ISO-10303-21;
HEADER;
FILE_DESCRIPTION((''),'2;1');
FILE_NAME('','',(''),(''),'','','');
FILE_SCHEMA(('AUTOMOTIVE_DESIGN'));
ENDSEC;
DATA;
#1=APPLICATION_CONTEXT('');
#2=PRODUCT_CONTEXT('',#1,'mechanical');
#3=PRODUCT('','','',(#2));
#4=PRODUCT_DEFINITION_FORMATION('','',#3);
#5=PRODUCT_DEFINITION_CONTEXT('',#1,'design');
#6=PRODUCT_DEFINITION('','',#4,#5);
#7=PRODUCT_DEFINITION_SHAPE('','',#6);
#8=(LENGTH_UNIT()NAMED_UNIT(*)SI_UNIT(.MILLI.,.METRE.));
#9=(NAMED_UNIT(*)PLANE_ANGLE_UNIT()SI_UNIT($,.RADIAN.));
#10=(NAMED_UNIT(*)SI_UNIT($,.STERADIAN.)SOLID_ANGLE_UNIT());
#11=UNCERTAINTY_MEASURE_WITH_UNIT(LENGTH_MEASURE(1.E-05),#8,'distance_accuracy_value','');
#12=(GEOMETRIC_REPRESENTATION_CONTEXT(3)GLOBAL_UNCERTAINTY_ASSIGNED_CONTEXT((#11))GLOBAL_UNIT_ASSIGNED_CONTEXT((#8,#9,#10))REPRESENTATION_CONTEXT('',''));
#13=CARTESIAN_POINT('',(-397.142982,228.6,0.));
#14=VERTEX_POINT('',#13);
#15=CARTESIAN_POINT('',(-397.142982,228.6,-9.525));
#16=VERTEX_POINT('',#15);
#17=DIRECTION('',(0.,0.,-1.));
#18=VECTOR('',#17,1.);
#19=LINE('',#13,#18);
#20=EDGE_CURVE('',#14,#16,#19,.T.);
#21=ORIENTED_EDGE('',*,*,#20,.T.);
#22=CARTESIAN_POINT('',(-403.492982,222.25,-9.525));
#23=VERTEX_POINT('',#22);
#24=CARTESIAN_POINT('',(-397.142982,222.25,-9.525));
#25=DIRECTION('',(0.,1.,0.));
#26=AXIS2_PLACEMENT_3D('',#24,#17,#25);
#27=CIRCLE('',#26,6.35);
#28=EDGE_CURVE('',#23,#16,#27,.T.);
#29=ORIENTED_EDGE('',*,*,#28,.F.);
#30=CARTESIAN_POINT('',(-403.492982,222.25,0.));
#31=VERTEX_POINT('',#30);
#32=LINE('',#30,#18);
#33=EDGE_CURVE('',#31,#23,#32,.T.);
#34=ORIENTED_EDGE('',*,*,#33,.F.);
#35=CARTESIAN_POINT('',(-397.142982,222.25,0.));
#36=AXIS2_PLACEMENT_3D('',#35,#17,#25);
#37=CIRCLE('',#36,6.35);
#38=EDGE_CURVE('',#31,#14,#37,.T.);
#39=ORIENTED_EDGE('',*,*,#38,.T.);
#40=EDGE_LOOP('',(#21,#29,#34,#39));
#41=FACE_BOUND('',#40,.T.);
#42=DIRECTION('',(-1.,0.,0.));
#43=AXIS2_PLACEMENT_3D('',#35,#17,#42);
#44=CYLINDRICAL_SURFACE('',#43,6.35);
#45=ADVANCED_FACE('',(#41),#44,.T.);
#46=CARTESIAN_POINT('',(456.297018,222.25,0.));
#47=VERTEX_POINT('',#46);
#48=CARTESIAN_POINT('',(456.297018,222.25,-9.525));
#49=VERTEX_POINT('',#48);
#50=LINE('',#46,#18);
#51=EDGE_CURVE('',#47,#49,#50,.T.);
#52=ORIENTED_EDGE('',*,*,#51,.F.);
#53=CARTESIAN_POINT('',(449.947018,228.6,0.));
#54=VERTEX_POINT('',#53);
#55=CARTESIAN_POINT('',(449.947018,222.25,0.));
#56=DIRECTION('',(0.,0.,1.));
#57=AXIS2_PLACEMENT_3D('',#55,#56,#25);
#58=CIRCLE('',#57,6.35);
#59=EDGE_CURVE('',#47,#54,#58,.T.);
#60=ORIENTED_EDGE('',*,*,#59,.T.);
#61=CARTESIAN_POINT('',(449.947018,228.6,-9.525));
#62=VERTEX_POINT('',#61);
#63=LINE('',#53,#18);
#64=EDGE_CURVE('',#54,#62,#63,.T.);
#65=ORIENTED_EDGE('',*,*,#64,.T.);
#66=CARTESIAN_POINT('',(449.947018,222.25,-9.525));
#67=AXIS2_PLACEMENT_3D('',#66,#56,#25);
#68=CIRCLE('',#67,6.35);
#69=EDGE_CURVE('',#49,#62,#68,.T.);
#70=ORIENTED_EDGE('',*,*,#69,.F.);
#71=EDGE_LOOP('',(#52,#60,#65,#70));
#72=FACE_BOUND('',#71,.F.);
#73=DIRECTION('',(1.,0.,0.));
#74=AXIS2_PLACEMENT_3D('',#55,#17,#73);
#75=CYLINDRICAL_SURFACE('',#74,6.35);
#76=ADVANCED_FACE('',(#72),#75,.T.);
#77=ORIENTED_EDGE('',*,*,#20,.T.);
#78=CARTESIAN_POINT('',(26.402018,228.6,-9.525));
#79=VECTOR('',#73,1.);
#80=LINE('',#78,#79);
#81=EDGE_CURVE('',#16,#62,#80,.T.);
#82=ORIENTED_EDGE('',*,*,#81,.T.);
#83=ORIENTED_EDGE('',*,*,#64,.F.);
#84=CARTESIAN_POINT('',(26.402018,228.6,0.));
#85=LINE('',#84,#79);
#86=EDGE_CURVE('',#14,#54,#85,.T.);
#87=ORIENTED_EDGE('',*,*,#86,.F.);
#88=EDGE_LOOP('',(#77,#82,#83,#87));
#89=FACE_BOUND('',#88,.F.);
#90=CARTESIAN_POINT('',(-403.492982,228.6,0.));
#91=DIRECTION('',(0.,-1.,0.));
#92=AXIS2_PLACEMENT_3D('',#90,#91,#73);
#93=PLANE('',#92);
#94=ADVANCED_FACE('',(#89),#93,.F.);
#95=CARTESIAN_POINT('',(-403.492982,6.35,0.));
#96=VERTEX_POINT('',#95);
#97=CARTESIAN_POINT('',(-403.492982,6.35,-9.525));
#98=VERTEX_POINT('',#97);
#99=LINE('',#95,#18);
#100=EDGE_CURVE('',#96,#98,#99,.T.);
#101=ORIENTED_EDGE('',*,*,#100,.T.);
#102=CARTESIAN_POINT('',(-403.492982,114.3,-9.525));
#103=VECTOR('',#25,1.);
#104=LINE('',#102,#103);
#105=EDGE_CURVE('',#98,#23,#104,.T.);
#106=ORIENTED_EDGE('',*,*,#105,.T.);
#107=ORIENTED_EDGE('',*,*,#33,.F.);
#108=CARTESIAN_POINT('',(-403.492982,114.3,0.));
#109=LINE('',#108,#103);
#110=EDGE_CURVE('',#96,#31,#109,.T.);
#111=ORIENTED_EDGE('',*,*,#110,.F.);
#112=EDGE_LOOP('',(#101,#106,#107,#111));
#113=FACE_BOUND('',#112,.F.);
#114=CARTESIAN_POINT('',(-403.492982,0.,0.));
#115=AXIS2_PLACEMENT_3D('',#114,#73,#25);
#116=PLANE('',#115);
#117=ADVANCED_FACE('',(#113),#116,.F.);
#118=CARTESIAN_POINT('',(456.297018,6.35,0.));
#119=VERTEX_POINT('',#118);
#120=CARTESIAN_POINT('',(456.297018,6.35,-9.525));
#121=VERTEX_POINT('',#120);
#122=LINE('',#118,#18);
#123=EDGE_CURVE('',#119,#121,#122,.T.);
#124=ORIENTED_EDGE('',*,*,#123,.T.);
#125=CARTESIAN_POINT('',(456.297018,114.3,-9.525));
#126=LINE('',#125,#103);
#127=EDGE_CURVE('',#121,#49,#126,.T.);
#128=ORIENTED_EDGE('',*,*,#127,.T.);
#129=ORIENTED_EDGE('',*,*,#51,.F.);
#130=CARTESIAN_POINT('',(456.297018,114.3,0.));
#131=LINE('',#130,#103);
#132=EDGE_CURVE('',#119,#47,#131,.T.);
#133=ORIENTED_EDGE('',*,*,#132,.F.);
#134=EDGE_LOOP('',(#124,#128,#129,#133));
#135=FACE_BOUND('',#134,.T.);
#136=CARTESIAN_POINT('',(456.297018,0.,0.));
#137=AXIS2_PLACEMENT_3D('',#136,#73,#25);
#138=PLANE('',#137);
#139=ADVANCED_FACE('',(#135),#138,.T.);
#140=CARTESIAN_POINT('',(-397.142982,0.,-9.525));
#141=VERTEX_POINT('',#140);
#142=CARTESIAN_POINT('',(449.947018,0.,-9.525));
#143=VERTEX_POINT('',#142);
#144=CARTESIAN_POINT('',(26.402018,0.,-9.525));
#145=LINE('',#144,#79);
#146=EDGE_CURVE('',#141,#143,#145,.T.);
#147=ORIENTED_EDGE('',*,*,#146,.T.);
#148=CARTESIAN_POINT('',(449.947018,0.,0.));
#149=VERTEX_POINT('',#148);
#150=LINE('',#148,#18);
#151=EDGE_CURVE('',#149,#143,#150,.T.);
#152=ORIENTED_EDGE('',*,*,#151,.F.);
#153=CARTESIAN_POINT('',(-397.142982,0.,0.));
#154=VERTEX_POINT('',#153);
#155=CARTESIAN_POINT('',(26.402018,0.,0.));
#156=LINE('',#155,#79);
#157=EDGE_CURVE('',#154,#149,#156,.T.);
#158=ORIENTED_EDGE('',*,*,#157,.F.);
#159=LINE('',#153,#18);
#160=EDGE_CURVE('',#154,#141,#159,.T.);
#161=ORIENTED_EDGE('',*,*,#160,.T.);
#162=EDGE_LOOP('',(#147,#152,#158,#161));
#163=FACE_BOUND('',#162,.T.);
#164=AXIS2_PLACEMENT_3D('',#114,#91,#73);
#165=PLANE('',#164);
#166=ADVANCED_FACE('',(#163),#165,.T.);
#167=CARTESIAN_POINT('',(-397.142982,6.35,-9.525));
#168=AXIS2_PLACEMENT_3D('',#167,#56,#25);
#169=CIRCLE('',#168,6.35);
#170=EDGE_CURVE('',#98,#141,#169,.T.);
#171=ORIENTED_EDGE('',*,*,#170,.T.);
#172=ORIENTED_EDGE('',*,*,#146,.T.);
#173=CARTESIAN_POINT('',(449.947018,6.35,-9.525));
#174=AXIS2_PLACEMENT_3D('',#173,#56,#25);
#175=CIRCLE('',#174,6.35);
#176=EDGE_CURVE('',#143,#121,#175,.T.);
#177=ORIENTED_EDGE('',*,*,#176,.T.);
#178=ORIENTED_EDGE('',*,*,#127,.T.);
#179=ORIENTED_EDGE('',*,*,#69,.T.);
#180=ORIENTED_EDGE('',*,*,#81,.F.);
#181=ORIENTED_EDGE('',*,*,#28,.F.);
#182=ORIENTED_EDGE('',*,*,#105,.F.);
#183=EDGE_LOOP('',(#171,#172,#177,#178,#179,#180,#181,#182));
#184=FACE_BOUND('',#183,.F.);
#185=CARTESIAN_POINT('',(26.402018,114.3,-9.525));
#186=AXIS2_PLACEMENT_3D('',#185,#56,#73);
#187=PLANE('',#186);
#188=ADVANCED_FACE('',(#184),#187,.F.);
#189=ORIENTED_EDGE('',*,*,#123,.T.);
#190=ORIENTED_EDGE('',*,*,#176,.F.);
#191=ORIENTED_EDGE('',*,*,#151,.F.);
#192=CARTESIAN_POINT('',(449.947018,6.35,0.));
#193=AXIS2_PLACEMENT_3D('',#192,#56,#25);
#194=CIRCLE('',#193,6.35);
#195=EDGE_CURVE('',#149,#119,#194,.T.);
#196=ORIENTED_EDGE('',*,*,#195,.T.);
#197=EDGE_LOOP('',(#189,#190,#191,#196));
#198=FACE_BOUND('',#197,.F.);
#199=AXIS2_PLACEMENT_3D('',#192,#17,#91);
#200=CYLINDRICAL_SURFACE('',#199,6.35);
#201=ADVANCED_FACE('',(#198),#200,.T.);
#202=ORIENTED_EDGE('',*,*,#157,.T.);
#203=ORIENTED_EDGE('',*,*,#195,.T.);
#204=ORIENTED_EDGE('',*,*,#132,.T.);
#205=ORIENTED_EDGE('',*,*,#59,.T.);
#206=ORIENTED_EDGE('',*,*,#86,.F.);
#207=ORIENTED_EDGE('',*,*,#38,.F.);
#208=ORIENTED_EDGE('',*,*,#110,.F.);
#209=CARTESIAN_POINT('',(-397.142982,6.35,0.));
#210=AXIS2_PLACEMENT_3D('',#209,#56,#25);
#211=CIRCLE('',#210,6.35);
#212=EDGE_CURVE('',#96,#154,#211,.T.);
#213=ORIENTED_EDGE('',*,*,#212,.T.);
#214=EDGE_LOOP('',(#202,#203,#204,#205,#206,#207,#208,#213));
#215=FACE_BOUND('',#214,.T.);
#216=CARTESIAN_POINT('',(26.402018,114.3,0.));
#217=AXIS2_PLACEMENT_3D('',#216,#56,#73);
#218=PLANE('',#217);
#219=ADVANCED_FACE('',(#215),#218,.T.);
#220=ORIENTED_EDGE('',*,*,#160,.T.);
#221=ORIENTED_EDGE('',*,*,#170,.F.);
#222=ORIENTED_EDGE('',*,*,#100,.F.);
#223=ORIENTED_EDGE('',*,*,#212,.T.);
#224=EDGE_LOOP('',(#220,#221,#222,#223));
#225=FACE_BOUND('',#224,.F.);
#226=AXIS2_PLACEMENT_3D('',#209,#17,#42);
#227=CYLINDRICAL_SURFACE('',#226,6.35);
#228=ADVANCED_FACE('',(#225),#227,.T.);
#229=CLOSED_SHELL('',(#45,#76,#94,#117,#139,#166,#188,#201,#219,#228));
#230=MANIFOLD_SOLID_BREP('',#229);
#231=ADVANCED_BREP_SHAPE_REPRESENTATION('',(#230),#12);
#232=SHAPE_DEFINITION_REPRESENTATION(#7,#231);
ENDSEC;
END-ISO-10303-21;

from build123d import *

# Parameters (mm, degrees)
F0_W     = 859.79
F0_H     = 228.6
F1_DEPTH = 9.525
F2_R     = 6.35


with BuildPart() as f1:
    # F0 (on Top) → F1 (new body)
    with BuildSketch(Plane.XY):
        with Locations((26.402018, 114.3)):
            Rectangle(F0_W, F0_H)
    extrude(amount=-F1_DEPTH)

    # F2
    f2_edges = [f1.edges().sort_by_distance(p)[0] for p in [
        (-403.492982, 228.6, -4.7625),
        (-403.492982, 0, -4.7625),
        (456.297018, 0, -4.7625),
        (456.297018, 228.6, -4.7625),
    ]]
    fillet(f2_edges, radius=F2_R)


solid = f1.part
